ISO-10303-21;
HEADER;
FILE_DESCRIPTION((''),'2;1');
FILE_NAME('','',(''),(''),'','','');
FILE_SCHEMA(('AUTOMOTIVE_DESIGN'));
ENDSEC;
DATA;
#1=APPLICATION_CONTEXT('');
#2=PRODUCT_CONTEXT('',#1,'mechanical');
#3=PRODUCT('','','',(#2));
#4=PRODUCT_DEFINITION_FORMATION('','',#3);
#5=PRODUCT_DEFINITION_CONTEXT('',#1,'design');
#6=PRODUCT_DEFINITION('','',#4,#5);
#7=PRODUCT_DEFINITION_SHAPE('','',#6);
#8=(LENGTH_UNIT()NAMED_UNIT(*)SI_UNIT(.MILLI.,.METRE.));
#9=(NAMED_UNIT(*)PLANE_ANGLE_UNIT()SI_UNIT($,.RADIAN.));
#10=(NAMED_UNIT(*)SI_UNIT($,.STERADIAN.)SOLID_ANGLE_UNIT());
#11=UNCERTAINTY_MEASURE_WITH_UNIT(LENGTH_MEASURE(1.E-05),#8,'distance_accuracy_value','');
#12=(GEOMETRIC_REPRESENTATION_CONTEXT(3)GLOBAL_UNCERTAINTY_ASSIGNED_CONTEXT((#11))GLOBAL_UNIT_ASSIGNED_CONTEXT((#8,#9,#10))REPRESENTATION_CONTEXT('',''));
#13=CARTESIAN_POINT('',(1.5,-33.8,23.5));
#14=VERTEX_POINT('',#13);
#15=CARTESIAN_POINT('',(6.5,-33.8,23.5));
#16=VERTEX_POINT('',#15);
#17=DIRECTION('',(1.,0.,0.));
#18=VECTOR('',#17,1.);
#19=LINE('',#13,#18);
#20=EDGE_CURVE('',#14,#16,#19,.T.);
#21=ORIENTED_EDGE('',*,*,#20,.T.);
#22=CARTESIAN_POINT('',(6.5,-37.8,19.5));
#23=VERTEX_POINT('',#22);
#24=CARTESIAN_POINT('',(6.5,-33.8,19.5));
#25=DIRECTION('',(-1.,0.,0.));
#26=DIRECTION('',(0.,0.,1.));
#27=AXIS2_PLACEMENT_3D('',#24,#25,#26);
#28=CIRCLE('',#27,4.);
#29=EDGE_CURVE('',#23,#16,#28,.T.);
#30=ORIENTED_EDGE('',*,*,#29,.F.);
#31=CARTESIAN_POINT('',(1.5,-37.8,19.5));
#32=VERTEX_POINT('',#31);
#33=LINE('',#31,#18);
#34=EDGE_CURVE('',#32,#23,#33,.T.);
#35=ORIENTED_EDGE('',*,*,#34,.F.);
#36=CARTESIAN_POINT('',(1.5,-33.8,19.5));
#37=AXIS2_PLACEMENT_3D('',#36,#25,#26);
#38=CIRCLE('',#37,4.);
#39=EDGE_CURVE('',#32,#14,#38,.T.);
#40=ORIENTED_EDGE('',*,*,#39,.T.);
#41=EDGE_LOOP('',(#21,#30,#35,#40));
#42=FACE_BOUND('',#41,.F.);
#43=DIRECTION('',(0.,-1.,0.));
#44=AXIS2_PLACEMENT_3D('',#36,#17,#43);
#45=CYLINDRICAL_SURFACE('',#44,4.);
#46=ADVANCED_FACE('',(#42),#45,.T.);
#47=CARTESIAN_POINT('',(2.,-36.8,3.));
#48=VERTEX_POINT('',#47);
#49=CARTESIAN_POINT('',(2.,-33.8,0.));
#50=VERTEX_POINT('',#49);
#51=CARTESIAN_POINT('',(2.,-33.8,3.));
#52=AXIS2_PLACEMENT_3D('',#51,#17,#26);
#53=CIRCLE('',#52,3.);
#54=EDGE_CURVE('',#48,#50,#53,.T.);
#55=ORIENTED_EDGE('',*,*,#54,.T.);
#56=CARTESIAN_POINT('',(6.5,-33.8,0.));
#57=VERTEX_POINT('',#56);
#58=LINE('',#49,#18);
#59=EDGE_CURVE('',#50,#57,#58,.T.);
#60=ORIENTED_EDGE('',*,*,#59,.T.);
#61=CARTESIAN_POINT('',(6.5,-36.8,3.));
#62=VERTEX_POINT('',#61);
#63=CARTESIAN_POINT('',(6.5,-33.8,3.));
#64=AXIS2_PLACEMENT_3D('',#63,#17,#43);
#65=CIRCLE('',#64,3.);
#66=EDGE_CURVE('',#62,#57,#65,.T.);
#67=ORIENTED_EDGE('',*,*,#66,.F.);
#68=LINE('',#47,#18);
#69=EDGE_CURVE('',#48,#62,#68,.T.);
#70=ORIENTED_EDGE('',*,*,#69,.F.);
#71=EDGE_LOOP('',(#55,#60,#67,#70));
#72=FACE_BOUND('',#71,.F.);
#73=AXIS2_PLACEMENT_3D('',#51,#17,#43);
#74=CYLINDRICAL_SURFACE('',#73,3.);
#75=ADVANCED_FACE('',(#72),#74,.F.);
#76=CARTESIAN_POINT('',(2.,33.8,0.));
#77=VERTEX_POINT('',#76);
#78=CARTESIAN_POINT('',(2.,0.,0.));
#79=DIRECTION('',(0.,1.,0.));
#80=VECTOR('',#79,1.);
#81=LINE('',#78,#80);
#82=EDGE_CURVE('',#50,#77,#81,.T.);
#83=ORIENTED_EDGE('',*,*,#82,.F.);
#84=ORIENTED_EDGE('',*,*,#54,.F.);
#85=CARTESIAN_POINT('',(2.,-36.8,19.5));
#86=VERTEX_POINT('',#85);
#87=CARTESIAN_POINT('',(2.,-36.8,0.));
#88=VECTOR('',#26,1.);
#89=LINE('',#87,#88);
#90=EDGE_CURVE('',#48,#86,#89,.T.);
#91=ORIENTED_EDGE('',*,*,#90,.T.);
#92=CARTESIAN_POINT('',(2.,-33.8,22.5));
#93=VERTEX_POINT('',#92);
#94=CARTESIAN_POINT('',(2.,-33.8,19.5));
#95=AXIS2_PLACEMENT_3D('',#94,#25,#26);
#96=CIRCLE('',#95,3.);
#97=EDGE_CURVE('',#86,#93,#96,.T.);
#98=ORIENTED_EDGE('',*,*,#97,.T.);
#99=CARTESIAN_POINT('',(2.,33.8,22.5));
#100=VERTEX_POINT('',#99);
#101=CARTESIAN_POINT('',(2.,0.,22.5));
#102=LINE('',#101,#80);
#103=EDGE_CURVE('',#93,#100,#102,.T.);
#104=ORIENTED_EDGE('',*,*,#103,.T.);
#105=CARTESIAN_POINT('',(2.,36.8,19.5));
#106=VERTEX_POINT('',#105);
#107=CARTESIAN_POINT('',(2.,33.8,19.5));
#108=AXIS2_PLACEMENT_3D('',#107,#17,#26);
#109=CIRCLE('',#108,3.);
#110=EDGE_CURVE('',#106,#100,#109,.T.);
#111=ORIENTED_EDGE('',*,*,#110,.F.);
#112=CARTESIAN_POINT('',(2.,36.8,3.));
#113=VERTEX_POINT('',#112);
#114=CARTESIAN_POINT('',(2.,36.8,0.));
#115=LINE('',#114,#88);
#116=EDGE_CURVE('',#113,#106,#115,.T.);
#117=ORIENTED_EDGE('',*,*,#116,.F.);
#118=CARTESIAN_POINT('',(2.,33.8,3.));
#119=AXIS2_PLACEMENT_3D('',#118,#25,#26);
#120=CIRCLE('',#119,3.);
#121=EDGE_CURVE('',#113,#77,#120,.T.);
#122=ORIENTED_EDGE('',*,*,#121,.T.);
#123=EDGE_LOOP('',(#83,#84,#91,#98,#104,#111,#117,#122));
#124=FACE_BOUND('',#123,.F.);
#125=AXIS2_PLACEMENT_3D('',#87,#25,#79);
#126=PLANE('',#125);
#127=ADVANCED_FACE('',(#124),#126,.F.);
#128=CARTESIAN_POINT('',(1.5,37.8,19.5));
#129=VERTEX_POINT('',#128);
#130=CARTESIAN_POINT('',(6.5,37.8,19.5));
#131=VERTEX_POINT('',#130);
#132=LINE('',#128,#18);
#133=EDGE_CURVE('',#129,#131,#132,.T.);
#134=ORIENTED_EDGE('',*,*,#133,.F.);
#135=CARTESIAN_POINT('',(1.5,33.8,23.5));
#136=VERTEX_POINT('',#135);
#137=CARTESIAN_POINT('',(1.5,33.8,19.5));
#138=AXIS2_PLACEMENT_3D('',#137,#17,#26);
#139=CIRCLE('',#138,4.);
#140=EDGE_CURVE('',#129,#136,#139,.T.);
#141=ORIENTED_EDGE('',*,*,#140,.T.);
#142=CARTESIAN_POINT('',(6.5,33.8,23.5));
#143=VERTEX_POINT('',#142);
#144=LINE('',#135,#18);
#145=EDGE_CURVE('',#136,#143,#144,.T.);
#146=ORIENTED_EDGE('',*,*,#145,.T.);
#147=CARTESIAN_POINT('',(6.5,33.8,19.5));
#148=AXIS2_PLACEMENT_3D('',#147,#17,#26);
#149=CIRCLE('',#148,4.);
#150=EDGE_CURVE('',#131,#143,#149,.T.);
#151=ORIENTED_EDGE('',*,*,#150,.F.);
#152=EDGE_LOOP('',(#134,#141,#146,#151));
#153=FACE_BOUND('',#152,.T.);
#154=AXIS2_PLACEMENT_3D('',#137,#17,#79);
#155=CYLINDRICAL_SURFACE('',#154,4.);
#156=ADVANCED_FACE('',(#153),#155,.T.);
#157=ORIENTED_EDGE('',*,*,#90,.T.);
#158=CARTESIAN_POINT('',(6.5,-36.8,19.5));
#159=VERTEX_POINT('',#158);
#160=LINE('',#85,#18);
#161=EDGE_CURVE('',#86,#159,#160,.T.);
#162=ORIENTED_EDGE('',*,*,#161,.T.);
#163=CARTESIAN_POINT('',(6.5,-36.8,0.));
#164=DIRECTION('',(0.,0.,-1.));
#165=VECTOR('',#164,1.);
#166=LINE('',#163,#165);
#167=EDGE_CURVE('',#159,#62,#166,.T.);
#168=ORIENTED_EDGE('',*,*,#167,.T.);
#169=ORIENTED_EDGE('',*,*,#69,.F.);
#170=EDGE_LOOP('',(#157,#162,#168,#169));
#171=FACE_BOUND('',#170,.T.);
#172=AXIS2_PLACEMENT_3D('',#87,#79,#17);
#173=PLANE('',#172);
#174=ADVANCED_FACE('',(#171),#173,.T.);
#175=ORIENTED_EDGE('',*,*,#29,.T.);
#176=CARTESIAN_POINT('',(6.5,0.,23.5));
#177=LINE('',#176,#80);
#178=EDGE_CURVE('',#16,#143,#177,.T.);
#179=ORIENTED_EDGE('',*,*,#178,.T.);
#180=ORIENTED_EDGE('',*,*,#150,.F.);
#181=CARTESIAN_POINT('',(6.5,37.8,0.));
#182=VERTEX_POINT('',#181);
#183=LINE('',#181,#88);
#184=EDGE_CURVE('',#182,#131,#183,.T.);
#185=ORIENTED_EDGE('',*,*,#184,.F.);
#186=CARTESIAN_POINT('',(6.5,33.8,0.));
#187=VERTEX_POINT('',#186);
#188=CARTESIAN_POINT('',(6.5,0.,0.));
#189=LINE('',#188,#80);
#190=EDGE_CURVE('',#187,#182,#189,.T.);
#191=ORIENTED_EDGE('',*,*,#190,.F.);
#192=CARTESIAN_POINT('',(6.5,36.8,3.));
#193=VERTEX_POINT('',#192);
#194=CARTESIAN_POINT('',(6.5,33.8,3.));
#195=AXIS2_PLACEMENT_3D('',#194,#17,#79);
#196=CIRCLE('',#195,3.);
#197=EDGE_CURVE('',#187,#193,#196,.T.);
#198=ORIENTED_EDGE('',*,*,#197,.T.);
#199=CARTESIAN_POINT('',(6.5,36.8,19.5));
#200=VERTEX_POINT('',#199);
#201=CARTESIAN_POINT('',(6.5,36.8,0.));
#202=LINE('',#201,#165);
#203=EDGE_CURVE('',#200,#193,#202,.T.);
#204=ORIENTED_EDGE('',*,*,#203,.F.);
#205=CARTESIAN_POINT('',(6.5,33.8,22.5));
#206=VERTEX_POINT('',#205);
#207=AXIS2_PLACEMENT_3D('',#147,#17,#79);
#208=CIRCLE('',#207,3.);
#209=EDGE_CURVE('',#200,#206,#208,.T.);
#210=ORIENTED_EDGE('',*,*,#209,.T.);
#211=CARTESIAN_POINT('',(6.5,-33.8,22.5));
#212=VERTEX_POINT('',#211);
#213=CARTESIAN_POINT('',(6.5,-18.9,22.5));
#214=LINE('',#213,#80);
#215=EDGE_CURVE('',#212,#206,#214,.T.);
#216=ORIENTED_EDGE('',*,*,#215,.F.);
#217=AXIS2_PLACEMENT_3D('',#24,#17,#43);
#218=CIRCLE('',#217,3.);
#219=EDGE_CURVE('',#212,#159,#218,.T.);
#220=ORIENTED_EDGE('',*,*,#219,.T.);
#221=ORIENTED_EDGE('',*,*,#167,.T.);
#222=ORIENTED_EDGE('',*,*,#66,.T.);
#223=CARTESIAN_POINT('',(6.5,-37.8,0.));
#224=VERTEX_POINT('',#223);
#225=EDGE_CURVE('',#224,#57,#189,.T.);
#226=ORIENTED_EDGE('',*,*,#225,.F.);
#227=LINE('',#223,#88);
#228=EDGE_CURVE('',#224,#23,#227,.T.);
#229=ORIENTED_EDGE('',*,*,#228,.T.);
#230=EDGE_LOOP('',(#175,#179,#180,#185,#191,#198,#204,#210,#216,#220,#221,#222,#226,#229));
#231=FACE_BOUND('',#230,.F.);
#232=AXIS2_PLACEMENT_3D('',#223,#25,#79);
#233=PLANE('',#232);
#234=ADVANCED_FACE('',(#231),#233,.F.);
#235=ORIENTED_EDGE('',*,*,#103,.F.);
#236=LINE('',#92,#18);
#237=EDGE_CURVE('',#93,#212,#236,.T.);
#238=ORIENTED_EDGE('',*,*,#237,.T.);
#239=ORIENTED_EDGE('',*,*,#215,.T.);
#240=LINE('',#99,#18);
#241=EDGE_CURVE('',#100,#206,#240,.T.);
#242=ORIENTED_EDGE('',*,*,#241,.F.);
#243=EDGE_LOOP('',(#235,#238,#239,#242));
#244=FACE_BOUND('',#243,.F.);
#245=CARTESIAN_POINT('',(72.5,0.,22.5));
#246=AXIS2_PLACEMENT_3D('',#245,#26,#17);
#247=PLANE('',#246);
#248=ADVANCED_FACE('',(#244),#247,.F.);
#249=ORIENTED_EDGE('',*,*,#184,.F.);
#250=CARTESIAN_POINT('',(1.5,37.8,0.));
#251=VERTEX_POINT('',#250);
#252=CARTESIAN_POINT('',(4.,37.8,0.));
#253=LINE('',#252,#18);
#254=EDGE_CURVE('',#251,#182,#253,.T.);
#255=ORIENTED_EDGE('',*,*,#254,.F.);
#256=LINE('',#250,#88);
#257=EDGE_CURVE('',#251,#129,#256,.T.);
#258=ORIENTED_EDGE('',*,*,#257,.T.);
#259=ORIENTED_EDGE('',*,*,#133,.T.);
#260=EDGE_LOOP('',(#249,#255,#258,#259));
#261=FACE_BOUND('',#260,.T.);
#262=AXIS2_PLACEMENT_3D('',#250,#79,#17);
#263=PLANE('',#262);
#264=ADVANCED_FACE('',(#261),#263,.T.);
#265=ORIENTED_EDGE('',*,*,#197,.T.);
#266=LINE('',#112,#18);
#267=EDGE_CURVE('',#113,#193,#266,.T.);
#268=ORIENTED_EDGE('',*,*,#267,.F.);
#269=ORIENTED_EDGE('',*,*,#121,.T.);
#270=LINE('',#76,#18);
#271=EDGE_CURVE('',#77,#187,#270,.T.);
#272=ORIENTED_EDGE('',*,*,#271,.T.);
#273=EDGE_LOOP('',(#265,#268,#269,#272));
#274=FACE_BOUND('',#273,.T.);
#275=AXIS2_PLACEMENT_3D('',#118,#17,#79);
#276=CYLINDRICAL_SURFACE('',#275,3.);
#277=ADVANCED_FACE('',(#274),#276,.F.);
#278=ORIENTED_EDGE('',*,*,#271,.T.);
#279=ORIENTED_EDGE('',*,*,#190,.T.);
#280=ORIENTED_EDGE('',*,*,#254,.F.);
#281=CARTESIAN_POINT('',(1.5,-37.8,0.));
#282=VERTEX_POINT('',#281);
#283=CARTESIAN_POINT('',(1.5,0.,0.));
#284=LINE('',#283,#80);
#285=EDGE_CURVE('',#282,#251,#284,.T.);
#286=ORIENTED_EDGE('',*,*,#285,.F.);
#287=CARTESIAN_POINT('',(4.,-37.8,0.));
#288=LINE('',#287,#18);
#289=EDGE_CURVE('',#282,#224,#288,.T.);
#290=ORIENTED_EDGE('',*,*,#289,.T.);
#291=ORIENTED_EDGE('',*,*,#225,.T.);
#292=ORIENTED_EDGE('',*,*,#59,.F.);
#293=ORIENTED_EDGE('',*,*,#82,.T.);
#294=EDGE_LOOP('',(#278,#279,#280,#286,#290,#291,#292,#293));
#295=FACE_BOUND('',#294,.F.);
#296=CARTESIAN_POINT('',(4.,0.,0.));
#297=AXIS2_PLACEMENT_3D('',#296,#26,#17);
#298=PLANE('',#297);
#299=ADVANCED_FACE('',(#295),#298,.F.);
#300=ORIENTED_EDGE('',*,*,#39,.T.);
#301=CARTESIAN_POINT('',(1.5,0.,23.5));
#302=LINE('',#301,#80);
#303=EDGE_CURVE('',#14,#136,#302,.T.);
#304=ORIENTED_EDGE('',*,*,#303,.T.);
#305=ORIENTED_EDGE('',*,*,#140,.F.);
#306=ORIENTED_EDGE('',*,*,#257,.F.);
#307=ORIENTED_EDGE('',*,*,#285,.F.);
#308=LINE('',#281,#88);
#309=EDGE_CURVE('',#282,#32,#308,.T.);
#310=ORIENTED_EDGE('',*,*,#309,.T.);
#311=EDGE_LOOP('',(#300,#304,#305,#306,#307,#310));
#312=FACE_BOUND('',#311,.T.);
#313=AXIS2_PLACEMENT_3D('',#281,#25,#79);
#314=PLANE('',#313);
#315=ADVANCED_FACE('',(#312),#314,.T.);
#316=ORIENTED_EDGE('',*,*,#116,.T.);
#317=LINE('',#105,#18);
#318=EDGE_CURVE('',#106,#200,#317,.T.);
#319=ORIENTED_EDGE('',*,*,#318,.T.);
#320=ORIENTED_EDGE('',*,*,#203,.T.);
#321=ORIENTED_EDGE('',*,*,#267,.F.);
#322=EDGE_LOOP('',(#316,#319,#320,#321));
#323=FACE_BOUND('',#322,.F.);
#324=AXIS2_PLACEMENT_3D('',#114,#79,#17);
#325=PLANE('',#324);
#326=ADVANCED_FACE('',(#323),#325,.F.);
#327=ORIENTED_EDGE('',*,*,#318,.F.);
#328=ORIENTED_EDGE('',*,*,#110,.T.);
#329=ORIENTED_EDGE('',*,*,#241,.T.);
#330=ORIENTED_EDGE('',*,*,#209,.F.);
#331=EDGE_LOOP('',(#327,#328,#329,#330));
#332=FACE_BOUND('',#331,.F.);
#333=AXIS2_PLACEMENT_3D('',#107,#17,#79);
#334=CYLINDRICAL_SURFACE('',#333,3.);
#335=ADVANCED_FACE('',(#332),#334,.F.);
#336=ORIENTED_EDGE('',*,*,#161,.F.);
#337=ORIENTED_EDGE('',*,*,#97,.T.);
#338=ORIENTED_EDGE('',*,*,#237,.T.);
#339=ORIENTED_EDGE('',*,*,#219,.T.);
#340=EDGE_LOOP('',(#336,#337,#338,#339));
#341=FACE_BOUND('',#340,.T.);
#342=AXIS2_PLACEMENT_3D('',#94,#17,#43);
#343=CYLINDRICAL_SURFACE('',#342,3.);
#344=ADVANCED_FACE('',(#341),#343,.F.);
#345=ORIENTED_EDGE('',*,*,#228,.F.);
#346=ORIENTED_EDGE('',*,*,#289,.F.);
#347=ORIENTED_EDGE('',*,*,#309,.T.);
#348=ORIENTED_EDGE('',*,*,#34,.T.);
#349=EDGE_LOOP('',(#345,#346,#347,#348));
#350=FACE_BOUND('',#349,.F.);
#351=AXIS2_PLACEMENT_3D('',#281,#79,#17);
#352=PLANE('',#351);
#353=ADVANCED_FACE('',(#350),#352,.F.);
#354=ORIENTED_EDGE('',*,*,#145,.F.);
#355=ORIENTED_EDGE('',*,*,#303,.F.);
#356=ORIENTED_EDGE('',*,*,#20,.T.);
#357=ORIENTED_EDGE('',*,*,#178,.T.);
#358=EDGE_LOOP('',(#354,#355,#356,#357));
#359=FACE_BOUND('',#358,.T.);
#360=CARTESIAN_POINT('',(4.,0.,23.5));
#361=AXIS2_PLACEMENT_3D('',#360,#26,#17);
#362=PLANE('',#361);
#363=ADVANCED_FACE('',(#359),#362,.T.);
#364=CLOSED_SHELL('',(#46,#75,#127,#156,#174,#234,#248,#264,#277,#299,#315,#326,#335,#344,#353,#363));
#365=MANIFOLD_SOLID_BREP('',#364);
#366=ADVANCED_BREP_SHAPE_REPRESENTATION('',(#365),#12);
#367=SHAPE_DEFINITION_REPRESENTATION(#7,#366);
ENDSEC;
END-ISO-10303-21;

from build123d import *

# Parameters (mm, degrees)
BOX_W        = 141
BOX_H        = 73.6
BOX_DEPTH    = 22.5
FILLET_R     = 3
BOX004_W     = 5
BOX004_H     = 75.6
BOX004_DEPTH = 23.5
FILLET004_R  = 4


with BuildPart() as battery_fillet:
    # Box → Box (new body)
    with BuildSketch(Plane(origin=(2, 0, 0), x_dir=(1, 0, 0), z_dir=(0, 0, 1))):
        with Locations((70.5, 36.8)):
            Rectangle(BOX_W, BOX_H)
    extrude(amount=BOX_DEPTH)

    # Fillet
    fillet_edges = [battery_fillet.edges().sort_by_distance(p)[0] for p in [
        (72.5, 0, 0),
        (72.5, 0, 22.5),
        (72.5, 73.6, 0),
        (72.5, 73.6, 22.5),
    ]]
    fillet(fillet_edges, radius=FILLET_R)


with BuildPart() as battery_fillet_1:
    # Fillet placement: moved
    add(battery_fillet.part.moved(Location((0, -36.8, 0))))


with BuildPart() as test_back_wall_cut:
    # Box004 → Box004 (new body)
    with BuildSketch(Plane(origin=(1.5, -37.8, 0), x_dir=(1, 0, 0), z_dir=(0, 0, 1))):
        with Locations((2.5, 37.8)):
            Rectangle(BOX004_W, BOX004_H)
    extrude(amount=BOX004_DEPTH)

    # Fillet004
    fillet004_edges = [test_back_wall_cut.edges().sort_by_distance(p)[0] for p in [
        (4, -37.8, 23.5),
        (4, 37.8, 23.5),
    ]]
    fillet(fillet004_edges, radius=FILLET004_R)

    # Cut003: cut battery fillet
    add(battery_fillet_1.part, mode=Mode.SUBTRACT)


solid = test_back_wall_cut.part
